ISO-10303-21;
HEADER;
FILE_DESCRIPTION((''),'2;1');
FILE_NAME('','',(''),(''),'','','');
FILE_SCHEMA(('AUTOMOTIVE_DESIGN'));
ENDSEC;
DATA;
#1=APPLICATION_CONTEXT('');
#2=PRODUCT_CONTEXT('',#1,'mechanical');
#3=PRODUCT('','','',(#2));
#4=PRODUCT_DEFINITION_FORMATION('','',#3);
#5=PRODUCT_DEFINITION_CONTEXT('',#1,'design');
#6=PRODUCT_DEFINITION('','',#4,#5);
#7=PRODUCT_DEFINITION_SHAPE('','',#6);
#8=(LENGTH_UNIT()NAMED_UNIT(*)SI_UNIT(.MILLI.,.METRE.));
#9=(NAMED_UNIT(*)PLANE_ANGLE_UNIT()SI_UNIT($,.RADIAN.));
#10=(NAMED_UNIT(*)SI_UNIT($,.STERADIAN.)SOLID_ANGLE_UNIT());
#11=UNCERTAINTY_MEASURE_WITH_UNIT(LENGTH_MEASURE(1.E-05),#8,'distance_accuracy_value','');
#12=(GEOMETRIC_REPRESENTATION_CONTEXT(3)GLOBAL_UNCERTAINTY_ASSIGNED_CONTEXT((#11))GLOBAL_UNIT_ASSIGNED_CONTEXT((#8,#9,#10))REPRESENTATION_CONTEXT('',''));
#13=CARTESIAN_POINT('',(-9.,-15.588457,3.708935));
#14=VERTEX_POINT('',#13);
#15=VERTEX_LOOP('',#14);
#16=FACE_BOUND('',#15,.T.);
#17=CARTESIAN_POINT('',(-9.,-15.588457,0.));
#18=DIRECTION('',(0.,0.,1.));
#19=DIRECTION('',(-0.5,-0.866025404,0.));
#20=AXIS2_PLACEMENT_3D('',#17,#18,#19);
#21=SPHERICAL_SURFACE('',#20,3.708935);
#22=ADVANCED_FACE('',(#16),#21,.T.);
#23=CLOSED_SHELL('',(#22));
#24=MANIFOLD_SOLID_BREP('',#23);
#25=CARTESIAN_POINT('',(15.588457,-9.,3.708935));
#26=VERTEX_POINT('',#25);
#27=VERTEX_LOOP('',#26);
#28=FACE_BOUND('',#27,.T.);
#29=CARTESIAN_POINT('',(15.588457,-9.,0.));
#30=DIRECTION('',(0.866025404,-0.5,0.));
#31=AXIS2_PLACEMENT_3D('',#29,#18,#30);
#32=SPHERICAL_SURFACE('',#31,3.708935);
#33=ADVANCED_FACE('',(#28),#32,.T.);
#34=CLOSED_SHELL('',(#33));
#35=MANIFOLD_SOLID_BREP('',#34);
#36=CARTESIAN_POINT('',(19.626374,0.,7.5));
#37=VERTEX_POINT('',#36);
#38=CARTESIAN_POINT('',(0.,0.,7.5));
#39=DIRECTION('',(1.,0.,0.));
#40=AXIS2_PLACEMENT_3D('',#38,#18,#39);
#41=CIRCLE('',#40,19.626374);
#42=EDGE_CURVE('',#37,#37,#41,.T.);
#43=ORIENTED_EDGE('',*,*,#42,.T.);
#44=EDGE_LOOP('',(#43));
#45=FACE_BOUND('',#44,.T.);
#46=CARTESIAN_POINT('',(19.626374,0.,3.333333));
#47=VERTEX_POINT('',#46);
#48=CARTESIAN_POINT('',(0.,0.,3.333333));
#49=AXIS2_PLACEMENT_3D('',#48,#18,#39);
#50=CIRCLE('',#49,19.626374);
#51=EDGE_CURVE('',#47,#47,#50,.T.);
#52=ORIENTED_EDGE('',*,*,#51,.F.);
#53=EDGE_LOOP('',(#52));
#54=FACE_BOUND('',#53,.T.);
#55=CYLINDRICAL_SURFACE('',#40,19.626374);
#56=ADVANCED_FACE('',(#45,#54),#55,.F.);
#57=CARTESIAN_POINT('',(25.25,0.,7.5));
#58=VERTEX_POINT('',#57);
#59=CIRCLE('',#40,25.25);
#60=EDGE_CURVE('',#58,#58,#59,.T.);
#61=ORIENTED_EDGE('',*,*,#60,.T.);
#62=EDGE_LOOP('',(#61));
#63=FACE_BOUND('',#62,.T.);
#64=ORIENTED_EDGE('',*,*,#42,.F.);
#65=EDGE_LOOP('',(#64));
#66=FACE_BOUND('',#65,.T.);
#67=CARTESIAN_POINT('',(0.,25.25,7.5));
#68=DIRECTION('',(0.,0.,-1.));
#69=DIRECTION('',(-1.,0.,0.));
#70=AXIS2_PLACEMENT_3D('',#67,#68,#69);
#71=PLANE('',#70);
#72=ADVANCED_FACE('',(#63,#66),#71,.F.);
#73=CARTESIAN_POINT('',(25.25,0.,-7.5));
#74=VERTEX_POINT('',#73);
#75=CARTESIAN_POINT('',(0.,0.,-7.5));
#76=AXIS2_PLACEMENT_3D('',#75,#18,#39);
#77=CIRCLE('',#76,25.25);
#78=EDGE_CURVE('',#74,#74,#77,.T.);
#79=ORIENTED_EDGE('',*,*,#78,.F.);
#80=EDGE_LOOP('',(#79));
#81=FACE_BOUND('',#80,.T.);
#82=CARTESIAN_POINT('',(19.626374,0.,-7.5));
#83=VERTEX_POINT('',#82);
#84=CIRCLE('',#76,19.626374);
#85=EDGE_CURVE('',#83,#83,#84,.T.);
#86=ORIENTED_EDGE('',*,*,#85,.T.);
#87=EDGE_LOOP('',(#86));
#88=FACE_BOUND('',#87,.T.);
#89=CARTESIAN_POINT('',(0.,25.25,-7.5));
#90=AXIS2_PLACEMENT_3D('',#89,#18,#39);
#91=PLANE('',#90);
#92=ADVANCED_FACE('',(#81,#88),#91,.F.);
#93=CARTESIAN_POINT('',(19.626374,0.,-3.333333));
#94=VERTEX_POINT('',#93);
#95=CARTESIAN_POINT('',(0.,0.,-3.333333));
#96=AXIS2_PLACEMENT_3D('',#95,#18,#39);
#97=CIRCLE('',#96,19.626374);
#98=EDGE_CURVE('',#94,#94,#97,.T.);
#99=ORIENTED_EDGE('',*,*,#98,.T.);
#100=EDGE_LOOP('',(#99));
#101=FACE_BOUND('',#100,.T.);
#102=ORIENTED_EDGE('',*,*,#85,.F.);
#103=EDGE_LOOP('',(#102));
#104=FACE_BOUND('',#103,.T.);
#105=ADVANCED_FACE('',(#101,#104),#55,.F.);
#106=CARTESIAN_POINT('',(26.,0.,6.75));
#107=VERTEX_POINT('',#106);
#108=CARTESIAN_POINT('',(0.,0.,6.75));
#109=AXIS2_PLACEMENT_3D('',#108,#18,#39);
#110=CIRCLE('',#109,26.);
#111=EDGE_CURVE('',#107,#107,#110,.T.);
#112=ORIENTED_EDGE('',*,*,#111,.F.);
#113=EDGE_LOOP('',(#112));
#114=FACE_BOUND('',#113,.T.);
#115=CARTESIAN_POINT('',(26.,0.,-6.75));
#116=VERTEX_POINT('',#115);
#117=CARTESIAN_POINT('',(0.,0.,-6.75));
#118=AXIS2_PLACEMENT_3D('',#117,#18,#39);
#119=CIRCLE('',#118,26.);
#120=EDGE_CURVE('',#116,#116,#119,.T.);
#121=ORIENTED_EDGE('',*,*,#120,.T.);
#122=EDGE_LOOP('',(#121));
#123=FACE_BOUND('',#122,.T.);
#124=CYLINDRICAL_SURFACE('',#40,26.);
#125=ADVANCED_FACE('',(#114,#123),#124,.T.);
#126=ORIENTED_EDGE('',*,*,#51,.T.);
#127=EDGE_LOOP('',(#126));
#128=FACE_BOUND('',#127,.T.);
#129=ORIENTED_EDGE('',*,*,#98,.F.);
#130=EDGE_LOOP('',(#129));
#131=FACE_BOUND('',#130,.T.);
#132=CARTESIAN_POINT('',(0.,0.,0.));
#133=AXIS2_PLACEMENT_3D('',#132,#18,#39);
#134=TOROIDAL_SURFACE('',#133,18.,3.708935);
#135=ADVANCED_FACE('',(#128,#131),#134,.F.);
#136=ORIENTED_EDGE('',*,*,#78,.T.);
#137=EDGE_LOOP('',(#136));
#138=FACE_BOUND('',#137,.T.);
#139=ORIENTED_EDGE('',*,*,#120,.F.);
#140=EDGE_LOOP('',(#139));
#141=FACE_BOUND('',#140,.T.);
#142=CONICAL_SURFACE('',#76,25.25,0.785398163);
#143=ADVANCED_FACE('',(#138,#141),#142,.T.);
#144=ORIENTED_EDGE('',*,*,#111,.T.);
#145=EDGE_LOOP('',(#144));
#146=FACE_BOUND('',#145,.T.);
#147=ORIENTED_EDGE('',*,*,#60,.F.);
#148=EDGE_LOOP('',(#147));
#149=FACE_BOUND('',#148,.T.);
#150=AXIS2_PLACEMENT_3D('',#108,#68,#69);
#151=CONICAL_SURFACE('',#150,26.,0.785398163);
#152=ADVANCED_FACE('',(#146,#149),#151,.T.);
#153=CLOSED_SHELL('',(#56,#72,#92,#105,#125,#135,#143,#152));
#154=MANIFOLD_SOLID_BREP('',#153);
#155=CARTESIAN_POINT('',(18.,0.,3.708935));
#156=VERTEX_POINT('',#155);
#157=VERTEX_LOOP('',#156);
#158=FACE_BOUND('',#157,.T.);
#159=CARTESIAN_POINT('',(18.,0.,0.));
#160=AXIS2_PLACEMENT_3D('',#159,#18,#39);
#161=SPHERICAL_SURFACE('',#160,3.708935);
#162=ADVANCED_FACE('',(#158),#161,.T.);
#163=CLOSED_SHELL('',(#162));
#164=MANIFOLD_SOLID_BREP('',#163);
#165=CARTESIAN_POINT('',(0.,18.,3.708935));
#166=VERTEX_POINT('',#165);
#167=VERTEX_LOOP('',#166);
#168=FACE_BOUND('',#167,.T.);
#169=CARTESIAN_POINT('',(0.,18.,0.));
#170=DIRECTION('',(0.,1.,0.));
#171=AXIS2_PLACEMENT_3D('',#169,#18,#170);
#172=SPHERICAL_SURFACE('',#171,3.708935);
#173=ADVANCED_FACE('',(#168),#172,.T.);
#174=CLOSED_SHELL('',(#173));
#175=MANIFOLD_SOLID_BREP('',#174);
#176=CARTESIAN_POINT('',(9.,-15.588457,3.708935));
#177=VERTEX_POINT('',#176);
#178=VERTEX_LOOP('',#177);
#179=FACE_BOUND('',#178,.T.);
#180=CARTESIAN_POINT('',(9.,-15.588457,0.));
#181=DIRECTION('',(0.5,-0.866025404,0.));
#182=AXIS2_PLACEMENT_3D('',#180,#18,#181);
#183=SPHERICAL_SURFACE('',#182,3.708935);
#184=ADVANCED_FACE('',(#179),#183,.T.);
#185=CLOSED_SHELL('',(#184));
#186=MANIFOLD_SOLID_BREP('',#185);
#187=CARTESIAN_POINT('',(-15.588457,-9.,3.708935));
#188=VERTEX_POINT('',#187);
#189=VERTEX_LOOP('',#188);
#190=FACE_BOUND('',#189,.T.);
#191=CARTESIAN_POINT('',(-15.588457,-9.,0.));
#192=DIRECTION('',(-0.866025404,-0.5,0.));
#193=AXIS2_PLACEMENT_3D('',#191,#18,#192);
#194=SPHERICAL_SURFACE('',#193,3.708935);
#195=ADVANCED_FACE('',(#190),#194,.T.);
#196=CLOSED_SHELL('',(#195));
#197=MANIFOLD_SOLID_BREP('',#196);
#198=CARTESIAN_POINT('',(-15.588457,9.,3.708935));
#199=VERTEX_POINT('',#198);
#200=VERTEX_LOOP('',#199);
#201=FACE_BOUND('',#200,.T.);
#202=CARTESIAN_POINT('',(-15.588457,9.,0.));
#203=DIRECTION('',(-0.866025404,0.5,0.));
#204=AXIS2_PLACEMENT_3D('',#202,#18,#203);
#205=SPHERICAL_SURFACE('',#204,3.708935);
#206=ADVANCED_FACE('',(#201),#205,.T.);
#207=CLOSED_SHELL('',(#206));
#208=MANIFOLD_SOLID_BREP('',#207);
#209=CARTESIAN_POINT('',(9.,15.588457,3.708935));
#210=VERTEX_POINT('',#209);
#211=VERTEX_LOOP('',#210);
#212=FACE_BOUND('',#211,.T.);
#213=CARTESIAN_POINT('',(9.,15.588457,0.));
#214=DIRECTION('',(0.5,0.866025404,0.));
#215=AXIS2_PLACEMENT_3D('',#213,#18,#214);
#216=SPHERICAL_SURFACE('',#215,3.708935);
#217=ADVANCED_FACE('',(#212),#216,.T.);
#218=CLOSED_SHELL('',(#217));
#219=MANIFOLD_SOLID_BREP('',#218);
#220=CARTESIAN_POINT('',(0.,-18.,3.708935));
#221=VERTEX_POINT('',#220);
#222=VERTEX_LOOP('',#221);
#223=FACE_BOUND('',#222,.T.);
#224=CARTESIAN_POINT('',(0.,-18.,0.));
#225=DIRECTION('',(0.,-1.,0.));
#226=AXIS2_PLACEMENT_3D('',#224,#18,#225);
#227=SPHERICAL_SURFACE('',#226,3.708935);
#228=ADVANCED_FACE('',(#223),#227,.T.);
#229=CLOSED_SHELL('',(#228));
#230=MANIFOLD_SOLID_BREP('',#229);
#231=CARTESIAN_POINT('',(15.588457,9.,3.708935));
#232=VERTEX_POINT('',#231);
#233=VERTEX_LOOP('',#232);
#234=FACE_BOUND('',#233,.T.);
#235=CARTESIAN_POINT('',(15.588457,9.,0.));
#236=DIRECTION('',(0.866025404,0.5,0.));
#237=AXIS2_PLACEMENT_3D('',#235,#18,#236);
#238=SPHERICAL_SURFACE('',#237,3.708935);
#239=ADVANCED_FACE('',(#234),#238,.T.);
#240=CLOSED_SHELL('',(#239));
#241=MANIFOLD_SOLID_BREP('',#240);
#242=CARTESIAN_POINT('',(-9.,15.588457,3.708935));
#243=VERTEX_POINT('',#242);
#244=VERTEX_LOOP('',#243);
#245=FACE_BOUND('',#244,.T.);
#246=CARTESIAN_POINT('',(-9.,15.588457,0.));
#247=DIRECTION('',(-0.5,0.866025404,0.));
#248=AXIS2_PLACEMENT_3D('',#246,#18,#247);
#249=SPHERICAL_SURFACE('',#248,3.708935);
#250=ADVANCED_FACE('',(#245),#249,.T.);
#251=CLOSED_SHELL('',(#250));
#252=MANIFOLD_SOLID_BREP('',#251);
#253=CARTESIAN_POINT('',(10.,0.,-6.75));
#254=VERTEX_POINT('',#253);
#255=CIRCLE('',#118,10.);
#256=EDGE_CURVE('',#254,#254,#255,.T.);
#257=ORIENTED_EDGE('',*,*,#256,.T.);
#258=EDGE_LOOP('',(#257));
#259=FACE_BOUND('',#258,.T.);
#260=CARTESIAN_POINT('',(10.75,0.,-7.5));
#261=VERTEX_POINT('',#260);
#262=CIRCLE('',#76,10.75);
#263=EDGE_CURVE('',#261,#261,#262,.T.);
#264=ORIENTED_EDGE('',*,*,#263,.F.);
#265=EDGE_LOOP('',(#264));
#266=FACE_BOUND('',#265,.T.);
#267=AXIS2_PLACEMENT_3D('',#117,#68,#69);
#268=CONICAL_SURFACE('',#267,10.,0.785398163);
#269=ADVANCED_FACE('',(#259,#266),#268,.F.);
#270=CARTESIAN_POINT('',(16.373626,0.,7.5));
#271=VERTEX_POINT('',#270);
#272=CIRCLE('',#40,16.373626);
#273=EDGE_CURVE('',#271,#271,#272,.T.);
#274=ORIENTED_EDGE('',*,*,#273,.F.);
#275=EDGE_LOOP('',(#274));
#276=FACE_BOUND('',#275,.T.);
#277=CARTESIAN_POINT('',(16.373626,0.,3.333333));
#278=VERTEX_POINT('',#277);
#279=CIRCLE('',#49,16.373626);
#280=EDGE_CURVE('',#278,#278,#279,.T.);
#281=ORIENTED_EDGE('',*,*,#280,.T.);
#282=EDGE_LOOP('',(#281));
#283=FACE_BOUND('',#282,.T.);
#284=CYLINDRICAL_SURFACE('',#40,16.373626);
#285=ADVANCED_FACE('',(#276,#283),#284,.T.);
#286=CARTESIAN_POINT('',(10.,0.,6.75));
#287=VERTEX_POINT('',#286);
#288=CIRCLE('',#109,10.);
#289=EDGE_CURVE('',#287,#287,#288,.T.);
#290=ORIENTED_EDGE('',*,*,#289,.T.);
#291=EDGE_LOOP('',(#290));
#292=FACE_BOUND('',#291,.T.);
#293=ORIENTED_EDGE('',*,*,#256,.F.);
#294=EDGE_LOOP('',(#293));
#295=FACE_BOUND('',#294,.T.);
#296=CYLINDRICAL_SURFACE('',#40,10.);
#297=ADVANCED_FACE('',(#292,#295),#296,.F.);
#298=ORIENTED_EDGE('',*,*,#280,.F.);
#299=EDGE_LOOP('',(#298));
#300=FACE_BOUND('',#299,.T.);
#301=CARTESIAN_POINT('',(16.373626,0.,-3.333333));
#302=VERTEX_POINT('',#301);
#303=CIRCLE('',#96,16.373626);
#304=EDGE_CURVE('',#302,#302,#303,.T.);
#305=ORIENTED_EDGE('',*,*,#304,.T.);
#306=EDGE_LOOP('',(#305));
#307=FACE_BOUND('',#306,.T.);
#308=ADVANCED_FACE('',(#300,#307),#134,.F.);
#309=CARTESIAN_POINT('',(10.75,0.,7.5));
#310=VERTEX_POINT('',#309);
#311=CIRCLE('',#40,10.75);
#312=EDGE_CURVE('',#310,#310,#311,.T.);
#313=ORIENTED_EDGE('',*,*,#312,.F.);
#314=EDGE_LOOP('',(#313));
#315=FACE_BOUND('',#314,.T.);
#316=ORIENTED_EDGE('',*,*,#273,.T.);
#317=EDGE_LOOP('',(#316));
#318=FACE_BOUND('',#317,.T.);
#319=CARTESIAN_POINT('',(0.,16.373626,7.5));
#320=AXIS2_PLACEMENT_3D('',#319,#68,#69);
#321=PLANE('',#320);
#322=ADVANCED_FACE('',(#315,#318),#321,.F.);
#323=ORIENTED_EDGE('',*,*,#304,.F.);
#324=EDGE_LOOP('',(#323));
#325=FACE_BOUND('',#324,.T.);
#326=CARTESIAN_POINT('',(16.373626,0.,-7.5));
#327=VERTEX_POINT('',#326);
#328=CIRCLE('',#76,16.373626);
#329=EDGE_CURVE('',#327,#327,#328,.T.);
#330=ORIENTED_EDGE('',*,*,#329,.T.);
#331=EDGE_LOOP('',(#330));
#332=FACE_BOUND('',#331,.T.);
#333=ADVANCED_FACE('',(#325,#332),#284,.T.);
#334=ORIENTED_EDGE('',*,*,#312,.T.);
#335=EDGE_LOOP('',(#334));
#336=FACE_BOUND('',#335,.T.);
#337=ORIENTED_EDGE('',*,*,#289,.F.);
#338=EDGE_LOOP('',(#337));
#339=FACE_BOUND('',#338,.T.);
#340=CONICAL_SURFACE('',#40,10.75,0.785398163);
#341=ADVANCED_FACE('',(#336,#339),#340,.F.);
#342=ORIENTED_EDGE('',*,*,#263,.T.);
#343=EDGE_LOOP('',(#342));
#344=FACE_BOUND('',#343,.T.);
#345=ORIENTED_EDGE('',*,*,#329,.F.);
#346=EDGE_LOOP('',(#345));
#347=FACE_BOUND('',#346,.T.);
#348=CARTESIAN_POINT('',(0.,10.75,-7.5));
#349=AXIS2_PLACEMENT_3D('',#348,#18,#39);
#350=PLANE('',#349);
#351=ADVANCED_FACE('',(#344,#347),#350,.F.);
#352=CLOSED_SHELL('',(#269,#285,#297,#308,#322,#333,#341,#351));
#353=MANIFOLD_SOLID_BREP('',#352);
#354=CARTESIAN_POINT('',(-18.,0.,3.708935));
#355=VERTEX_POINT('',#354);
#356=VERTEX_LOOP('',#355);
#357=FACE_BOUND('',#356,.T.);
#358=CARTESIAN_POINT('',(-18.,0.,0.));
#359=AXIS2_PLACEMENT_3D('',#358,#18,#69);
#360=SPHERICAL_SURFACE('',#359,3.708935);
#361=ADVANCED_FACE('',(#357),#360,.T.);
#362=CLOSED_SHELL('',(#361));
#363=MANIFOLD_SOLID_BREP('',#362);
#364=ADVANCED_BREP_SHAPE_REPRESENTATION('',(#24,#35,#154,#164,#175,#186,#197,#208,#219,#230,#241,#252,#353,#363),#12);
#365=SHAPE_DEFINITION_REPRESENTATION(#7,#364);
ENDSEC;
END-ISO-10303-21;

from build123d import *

# Parameters (mm, degrees)
CIRPATTERN1_COUNT = 12


with BuildPart() as part:
    # Sketch1 → Revolve1 (revolve)
    with BuildSketch(Plane(origin=(0, 0, 0), x_dir=(0, 0, -1), z_dir=(1, 0, 0))):
        with BuildLine():
            Line((6.75, 26), (-6.75, 26))
            Line((-6.75, 26), (-7.5, 25.25))
            Line((-7.5, 25.25), (-7.5, 19.626373626))
            Line((-7.5, 19.626373626), (-3.333333333, 19.626373626))
            ThreePointArc((-3.333333333, 19.626373626), (0, 21.708935465), (3.333333333, 19.626373626))
            Line((3.333333333, 19.626373626), (7.5, 19.626373626))
            Line((7.5, 19.626373626), (7.5, 25.25))
            Line((7.5, 25.25), (6.75, 26))
        make_face()
    revolve(axis=Axis((0, 0, 7.5), (0, 0, -1)))


with BuildPart() as body_2:
    # Sketch3 → Revolve3 (revolve)
    with BuildSketch(Plane(origin=(0, 0, 0), x_dir=(0, 0, -1), z_dir=(1, 0, 0))):
        with BuildLine():
            Line((-7.5, 16.373626374), (-3.333333333, 16.373626374))
            ThreePointArc((-3.333333333, 16.373626374), (0, 14.291064535), (3.333333333, 16.373626374))
            Line((3.333333333, 16.373626374), (7.5, 16.373626374))
            Line((7.5, 16.373626374), (7.5, 10.75))
            Line((7.5, 10.75), (6.75, 10))
            Line((6.75, 10), (-6.75, 10))
            Line((-6.75, 10), (-7.5, 10.75))
            Line((-7.5, 10.75), (-7.5, 16.373626374))
        make_face()
    revolve(axis=Axis((0, 0, 7.5), (0, 0, -1)))


with BuildPart() as body_3:
    # Sketch4 → Revolve4 (revolve)
    with BuildSketch(Plane(origin=(0, 0, 0), x_dir=(0, 0, -1), z_dir=(1, 0, 0))):
        with BuildLine():
            Line((-3.708935465, 18), (3.708935465, 18))
            ThreePointArc((3.708935465, 18), (0, 21.708935465), (-3.708935465, 18))
        make_face()
    revolve(axis=Axis((0, 18, 3.708935465), (0, 0, -1)))


with BuildPart() as cirpattern1_1:
    # CirPattern1: pattern copy
    add(body_3.part.rotate(Axis((0, 0, -7.5), (0, 0, 1)), 1 * 360 / CIRPATTERN1_COUNT))


with BuildPart() as cirpattern1_2:
    # CirPattern1: pattern copy
    add(body_3.part.rotate(Axis((0, 0, -7.5), (0, 0, 1)), 2 * 360 / CIRPATTERN1_COUNT))


with BuildPart() as cirpattern1_3:
    # CirPattern1: pattern copy
    add(body_3.part.rotate(Axis((0, 0, -7.5), (0, 0, 1)), 3 * 360 / CIRPATTERN1_COUNT))


with BuildPart() as cirpattern1_4:
    # CirPattern1: pattern copy
    add(body_3.part.rotate(Axis((0, 0, -7.5), (0, 0, 1)), 4 * 360 / CIRPATTERN1_COUNT))


with BuildPart() as cirpattern1_5:
    # CirPattern1: pattern copy
    add(body_3.part.rotate(Axis((0, 0, -7.5), (0, 0, 1)), 5 * 360 / CIRPATTERN1_COUNT))


with BuildPart() as cirpattern1_6:
    # CirPattern1: pattern copy
    add(body_3.part.rotate(Axis((0, 0, -7.5), (0, 0, 1)), 6 * 360 / CIRPATTERN1_COUNT))


with BuildPart() as cirpattern1_7:
    # CirPattern1: pattern copy
    add(body_3.part.rotate(Axis((0, 0, -7.5), (0, 0, 1)), 7 * 360 / CIRPATTERN1_COUNT))


with BuildPart() as cirpattern1_8:
    # CirPattern1: pattern copy
    add(body_3.part.rotate(Axis((0, 0, -7.5), (0, 0, 1)), 8 * 360 / CIRPATTERN1_COUNT))


with BuildPart() as cirpattern1_9:
    # CirPattern1: pattern copy
    add(body_3.part.rotate(Axis((0, 0, -7.5), (0, 0, 1)), 9 * 360 / CIRPATTERN1_COUNT))


with BuildPart() as cirpattern1_10:
    # CirPattern1: pattern copy
    add(body_3.part.rotate(Axis((0, 0, -7.5), (0, 0, 1)), 10 * 360 / CIRPATTERN1_COUNT))


with BuildPart() as cirpattern1_11:
    # CirPattern1: pattern copy
    add(body_3.part.rotate(Axis((0, 0, -7.5), (0, 0, 1)), 11 * 360 / CIRPATTERN1_COUNT))


solid = Compound([part.part, body_2.part, body_3.part, cirpattern1_1.part, cirpattern1_2.part, cirpattern1_3.part, cirpattern1_4.part, cirpattern1_5.part, cirpattern1_6.part, cirpattern1_7.part, cirpattern1_8.part, cirpattern1_9.part, cirpattern1_10.part, cirpattern1_11.part])
